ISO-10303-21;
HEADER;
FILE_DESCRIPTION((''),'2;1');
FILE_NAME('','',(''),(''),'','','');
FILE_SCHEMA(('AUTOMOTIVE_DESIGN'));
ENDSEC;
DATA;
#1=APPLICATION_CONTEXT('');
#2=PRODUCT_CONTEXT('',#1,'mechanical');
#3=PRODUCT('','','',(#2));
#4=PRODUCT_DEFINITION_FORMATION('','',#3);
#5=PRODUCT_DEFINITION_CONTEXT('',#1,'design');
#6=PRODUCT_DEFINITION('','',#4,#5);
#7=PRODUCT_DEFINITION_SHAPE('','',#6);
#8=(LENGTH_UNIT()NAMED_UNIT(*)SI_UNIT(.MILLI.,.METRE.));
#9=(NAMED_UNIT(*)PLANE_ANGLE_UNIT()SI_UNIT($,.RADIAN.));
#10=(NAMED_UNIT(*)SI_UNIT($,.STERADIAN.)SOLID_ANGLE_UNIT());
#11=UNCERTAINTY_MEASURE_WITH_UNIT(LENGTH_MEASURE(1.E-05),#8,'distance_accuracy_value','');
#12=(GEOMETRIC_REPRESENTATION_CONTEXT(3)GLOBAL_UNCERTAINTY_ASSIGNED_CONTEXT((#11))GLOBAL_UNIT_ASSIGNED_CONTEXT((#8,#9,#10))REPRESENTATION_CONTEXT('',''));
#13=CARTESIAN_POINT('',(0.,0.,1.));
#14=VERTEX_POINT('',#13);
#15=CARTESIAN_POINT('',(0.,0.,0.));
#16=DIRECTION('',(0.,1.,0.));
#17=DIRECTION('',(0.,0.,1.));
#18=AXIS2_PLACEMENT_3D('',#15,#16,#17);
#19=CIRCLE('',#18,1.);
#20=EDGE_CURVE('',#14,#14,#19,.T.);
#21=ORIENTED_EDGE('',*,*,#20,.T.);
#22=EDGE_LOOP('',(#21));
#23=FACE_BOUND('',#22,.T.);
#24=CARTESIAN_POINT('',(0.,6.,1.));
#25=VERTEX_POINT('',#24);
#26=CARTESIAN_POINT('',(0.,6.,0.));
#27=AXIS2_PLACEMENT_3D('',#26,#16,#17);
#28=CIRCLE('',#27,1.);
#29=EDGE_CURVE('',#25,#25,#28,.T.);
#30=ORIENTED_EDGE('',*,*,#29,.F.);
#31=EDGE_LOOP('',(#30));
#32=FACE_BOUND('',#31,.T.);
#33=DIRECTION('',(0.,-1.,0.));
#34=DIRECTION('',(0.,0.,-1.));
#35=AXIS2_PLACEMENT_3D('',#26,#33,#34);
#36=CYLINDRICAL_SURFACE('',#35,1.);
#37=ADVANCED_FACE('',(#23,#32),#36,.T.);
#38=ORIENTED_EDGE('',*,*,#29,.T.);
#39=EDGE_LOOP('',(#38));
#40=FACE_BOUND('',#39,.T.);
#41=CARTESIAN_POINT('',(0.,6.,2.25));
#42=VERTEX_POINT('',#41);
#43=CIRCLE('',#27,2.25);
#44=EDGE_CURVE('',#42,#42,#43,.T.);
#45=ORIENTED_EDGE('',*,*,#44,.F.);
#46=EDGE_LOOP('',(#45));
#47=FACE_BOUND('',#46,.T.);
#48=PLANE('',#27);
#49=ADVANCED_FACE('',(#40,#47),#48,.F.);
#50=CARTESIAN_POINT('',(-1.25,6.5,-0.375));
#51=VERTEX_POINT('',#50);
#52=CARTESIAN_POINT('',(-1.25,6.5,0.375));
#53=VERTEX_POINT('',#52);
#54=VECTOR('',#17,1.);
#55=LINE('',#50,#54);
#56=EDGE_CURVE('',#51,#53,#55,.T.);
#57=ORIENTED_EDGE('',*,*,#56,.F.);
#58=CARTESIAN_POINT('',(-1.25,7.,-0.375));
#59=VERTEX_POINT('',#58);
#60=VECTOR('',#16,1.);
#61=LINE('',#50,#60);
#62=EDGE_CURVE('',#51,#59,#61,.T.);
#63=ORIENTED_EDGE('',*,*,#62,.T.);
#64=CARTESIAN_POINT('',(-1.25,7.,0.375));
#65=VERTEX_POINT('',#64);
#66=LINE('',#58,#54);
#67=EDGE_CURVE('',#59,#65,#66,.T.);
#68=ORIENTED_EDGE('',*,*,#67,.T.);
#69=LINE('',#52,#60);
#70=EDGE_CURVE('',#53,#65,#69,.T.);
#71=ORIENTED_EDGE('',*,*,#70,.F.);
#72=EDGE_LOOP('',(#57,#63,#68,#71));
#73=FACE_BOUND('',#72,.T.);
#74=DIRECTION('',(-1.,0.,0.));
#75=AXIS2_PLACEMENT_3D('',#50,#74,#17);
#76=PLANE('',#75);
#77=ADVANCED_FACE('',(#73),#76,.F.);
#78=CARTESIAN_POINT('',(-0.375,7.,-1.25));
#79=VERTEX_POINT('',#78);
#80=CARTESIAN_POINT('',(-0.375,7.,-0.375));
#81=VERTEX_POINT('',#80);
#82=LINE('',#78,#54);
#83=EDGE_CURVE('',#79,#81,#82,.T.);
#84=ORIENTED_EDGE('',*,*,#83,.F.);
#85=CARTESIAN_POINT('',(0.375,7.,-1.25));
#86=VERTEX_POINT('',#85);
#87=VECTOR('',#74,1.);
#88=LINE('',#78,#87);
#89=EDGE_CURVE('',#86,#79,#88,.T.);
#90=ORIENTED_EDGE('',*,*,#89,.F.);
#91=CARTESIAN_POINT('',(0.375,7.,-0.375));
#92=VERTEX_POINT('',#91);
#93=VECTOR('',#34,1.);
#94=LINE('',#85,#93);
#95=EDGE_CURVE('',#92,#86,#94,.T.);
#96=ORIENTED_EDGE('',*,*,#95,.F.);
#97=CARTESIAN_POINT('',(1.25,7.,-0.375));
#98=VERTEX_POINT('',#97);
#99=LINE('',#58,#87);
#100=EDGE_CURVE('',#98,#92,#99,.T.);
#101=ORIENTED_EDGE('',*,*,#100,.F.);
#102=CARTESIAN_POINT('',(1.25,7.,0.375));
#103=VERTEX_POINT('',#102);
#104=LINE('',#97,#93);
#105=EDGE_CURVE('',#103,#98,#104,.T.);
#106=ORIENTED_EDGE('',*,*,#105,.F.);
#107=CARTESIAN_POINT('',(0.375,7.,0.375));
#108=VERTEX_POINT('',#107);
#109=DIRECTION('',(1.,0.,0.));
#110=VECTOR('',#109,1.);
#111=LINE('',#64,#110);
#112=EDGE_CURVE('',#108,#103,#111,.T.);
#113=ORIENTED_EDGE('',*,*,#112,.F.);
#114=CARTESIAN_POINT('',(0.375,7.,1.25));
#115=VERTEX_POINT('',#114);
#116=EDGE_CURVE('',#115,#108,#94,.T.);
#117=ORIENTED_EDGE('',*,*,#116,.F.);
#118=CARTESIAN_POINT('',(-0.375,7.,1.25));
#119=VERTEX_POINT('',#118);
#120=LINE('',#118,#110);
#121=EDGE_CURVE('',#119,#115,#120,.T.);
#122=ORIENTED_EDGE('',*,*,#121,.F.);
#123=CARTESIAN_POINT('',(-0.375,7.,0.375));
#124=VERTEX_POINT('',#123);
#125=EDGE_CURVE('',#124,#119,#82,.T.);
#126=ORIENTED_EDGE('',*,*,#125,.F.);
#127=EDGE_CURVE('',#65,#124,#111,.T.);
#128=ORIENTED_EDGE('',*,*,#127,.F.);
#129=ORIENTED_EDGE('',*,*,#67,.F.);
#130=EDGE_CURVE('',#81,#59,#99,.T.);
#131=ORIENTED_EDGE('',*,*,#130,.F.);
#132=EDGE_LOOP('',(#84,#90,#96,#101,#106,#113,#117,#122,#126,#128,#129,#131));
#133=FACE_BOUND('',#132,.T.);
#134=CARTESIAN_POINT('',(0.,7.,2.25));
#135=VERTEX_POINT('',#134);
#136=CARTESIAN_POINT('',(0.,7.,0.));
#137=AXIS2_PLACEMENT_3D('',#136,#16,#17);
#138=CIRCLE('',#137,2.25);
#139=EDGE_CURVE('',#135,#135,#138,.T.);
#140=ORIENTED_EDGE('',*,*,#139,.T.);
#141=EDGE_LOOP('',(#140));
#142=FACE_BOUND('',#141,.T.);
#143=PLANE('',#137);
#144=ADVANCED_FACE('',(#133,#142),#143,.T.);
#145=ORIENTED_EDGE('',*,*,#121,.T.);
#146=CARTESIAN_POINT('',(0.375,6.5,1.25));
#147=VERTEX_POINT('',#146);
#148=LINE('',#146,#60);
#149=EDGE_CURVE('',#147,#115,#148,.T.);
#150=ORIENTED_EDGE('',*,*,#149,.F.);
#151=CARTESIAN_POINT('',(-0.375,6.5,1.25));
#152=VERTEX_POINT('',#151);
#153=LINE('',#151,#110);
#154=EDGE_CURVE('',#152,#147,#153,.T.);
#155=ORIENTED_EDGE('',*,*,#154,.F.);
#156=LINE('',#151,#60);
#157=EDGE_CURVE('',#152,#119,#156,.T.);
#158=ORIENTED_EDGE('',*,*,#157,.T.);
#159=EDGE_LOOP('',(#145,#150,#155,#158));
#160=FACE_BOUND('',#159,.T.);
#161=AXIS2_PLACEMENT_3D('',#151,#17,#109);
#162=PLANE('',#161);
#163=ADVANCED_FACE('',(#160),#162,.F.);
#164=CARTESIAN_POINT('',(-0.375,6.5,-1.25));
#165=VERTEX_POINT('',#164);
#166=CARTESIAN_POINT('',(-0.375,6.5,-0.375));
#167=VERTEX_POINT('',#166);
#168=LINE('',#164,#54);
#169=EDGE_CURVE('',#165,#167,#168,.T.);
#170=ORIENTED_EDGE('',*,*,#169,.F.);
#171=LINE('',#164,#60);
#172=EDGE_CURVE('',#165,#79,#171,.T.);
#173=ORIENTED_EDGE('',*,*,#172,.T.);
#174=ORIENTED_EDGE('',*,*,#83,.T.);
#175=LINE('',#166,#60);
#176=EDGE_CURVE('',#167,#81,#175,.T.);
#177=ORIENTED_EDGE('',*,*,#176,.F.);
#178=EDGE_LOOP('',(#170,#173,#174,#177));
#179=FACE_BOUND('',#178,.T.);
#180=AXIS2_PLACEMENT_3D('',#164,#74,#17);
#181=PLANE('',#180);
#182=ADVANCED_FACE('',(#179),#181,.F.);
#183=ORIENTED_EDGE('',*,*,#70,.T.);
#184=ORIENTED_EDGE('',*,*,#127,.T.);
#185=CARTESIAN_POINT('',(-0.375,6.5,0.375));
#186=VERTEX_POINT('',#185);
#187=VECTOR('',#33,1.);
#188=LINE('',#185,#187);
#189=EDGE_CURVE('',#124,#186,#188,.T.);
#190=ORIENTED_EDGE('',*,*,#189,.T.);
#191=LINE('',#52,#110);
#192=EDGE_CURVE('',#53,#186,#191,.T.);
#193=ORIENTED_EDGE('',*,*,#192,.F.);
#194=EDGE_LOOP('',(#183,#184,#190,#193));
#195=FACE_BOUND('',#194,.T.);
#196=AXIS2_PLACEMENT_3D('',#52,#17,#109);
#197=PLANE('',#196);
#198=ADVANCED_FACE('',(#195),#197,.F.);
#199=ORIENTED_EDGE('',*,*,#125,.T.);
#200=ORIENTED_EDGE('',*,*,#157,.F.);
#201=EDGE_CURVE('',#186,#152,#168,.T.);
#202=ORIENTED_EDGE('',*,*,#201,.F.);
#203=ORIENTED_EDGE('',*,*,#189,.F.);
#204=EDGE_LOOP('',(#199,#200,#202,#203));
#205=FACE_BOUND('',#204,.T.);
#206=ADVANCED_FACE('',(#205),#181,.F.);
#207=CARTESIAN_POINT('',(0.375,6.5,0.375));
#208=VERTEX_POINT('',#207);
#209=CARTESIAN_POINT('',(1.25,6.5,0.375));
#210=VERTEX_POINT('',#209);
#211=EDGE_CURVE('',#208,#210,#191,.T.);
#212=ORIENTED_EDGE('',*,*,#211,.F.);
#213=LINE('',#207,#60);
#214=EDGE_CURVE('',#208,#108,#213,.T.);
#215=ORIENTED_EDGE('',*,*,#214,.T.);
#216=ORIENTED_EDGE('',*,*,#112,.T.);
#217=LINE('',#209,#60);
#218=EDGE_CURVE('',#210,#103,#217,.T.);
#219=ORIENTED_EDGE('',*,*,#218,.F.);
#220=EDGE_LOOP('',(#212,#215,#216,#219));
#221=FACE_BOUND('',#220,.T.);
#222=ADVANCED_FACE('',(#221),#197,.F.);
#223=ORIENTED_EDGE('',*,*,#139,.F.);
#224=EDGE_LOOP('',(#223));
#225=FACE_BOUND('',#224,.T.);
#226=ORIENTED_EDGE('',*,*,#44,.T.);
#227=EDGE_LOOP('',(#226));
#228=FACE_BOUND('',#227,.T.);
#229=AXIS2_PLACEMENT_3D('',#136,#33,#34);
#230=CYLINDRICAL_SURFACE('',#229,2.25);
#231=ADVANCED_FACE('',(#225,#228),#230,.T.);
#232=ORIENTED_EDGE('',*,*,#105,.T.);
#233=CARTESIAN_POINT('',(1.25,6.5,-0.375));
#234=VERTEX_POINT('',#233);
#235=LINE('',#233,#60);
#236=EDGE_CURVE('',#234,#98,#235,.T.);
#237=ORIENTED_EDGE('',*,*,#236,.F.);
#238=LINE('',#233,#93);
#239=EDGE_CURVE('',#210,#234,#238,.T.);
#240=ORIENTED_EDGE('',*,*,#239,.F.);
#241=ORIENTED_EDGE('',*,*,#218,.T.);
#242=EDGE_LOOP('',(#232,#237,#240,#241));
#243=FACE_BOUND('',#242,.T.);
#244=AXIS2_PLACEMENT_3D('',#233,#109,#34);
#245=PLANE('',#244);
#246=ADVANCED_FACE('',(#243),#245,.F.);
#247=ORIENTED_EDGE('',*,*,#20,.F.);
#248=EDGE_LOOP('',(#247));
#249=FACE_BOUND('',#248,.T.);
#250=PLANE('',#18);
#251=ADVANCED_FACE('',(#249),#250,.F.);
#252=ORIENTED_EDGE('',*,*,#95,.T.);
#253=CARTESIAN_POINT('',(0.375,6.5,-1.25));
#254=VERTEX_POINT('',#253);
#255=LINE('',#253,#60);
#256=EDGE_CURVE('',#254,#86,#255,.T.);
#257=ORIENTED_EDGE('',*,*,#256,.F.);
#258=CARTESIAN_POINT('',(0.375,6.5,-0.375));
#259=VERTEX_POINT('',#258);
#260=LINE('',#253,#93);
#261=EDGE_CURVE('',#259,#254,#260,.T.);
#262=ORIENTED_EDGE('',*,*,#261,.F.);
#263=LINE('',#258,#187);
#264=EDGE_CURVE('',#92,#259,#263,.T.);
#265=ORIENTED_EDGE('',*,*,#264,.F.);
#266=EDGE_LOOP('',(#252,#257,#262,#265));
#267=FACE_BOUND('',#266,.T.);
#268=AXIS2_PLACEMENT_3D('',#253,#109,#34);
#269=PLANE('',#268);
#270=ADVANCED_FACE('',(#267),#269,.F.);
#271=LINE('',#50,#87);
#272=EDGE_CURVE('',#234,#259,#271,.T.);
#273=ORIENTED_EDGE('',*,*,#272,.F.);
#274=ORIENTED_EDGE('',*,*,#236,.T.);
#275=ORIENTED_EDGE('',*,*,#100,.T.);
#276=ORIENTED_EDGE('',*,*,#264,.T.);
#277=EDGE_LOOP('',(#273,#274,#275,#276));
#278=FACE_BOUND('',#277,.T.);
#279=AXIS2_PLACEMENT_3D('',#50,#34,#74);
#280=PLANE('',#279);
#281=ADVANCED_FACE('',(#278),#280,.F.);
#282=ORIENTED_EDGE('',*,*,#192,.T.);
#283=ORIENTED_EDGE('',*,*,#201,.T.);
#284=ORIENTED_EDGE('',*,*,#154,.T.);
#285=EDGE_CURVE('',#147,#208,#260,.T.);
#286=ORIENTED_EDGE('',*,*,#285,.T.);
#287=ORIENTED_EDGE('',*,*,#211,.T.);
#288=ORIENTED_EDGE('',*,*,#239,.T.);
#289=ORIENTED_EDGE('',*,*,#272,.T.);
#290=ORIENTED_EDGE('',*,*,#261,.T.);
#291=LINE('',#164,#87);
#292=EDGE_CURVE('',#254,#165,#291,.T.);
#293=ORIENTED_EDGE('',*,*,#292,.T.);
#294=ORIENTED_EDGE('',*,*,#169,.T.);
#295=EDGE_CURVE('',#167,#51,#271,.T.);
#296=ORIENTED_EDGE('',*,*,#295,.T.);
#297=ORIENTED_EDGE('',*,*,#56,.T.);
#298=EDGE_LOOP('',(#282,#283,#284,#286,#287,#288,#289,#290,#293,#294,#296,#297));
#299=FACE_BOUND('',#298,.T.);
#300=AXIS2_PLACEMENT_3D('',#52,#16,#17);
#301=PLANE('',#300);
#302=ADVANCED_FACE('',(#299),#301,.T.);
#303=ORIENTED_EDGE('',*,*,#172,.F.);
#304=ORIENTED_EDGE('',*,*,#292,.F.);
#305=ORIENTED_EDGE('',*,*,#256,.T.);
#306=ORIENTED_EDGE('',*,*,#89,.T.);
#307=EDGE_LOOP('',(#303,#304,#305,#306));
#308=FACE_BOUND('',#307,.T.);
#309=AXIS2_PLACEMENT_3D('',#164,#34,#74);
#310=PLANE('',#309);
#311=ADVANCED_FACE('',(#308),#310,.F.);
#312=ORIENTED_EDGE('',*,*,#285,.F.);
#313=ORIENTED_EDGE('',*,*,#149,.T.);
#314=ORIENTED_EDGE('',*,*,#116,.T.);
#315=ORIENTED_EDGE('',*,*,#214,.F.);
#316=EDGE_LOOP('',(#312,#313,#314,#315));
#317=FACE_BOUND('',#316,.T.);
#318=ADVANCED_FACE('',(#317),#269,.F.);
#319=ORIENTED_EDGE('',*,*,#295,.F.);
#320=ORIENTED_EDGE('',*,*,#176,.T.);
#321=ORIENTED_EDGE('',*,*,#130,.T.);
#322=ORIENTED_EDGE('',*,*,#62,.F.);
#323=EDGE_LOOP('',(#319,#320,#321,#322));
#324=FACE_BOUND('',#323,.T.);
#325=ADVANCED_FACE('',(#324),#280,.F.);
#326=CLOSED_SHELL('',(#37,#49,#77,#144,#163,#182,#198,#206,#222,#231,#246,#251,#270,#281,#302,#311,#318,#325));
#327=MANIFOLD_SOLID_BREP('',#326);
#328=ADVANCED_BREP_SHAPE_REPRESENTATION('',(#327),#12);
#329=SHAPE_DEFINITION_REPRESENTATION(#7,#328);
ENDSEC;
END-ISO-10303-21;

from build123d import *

# Parameters (mm, degrees)
SKETCH_1_R          = 1
EXTRUDE_1_DEPTH     = 6
SKETCH_2_R          = 2.25
EXTRUDE_2_DEPTH     = 1
SKETCH_3_W          = 2.5
SKETCH_3_H          = 0.75
CUT_EXTRUDE_1_DEPTH = 0.5
SKETCH_4_W          = 0.75
SKETCH_4_H          = 2.5
CUT_EXTRUDE_2_DEPTH = 0.5


with BuildPart() as part:
    # 草图1 → 拉伸1 (new body)
    with BuildSketch(Plane(origin=(0, 0, 0), x_dir=(1, 0, 0), z_dir=(0, 1, 0))):
        with Locations(Location((0, 0, 0), (0, 0, 270))):
            Circle(SKETCH_1_R)
    extrude(amount=EXTRUDE_1_DEPTH)

    # 草图2 → 拉伸2 (add)
    with BuildSketch(Plane(origin=(0, 6, 0), x_dir=(-1, 0, 0), z_dir=(0, 1, 0))):
        with Locations(Location((0, 0, 0), (0, 0, 90))):
            Circle(SKETCH_2_R)
    extrude(amount=EXTRUDE_2_DEPTH)

    # 草图3 → 切除-拉伸1 (cut)
    with BuildSketch(Plane(origin=(0, 7, 0), x_dir=(-1, 0, 0), z_dir=(0, 1, 0))):
        Rectangle(SKETCH_3_W, SKETCH_3_H)
    extrude(amount=-CUT_EXTRUDE_1_DEPTH, mode=Mode.SUBTRACT)

    # 草图4 → 切除-拉伸2 (cut)
    with BuildSketch(Plane(origin=(0, 7, 0), x_dir=(-1, 0, 0), z_dir=(0, 1, 0))):
        Rectangle(SKETCH_4_W, SKETCH_4_H)
    extrude(amount=-CUT_EXTRUDE_2_DEPTH, mode=Mode.SUBTRACT)


solid = part.part
